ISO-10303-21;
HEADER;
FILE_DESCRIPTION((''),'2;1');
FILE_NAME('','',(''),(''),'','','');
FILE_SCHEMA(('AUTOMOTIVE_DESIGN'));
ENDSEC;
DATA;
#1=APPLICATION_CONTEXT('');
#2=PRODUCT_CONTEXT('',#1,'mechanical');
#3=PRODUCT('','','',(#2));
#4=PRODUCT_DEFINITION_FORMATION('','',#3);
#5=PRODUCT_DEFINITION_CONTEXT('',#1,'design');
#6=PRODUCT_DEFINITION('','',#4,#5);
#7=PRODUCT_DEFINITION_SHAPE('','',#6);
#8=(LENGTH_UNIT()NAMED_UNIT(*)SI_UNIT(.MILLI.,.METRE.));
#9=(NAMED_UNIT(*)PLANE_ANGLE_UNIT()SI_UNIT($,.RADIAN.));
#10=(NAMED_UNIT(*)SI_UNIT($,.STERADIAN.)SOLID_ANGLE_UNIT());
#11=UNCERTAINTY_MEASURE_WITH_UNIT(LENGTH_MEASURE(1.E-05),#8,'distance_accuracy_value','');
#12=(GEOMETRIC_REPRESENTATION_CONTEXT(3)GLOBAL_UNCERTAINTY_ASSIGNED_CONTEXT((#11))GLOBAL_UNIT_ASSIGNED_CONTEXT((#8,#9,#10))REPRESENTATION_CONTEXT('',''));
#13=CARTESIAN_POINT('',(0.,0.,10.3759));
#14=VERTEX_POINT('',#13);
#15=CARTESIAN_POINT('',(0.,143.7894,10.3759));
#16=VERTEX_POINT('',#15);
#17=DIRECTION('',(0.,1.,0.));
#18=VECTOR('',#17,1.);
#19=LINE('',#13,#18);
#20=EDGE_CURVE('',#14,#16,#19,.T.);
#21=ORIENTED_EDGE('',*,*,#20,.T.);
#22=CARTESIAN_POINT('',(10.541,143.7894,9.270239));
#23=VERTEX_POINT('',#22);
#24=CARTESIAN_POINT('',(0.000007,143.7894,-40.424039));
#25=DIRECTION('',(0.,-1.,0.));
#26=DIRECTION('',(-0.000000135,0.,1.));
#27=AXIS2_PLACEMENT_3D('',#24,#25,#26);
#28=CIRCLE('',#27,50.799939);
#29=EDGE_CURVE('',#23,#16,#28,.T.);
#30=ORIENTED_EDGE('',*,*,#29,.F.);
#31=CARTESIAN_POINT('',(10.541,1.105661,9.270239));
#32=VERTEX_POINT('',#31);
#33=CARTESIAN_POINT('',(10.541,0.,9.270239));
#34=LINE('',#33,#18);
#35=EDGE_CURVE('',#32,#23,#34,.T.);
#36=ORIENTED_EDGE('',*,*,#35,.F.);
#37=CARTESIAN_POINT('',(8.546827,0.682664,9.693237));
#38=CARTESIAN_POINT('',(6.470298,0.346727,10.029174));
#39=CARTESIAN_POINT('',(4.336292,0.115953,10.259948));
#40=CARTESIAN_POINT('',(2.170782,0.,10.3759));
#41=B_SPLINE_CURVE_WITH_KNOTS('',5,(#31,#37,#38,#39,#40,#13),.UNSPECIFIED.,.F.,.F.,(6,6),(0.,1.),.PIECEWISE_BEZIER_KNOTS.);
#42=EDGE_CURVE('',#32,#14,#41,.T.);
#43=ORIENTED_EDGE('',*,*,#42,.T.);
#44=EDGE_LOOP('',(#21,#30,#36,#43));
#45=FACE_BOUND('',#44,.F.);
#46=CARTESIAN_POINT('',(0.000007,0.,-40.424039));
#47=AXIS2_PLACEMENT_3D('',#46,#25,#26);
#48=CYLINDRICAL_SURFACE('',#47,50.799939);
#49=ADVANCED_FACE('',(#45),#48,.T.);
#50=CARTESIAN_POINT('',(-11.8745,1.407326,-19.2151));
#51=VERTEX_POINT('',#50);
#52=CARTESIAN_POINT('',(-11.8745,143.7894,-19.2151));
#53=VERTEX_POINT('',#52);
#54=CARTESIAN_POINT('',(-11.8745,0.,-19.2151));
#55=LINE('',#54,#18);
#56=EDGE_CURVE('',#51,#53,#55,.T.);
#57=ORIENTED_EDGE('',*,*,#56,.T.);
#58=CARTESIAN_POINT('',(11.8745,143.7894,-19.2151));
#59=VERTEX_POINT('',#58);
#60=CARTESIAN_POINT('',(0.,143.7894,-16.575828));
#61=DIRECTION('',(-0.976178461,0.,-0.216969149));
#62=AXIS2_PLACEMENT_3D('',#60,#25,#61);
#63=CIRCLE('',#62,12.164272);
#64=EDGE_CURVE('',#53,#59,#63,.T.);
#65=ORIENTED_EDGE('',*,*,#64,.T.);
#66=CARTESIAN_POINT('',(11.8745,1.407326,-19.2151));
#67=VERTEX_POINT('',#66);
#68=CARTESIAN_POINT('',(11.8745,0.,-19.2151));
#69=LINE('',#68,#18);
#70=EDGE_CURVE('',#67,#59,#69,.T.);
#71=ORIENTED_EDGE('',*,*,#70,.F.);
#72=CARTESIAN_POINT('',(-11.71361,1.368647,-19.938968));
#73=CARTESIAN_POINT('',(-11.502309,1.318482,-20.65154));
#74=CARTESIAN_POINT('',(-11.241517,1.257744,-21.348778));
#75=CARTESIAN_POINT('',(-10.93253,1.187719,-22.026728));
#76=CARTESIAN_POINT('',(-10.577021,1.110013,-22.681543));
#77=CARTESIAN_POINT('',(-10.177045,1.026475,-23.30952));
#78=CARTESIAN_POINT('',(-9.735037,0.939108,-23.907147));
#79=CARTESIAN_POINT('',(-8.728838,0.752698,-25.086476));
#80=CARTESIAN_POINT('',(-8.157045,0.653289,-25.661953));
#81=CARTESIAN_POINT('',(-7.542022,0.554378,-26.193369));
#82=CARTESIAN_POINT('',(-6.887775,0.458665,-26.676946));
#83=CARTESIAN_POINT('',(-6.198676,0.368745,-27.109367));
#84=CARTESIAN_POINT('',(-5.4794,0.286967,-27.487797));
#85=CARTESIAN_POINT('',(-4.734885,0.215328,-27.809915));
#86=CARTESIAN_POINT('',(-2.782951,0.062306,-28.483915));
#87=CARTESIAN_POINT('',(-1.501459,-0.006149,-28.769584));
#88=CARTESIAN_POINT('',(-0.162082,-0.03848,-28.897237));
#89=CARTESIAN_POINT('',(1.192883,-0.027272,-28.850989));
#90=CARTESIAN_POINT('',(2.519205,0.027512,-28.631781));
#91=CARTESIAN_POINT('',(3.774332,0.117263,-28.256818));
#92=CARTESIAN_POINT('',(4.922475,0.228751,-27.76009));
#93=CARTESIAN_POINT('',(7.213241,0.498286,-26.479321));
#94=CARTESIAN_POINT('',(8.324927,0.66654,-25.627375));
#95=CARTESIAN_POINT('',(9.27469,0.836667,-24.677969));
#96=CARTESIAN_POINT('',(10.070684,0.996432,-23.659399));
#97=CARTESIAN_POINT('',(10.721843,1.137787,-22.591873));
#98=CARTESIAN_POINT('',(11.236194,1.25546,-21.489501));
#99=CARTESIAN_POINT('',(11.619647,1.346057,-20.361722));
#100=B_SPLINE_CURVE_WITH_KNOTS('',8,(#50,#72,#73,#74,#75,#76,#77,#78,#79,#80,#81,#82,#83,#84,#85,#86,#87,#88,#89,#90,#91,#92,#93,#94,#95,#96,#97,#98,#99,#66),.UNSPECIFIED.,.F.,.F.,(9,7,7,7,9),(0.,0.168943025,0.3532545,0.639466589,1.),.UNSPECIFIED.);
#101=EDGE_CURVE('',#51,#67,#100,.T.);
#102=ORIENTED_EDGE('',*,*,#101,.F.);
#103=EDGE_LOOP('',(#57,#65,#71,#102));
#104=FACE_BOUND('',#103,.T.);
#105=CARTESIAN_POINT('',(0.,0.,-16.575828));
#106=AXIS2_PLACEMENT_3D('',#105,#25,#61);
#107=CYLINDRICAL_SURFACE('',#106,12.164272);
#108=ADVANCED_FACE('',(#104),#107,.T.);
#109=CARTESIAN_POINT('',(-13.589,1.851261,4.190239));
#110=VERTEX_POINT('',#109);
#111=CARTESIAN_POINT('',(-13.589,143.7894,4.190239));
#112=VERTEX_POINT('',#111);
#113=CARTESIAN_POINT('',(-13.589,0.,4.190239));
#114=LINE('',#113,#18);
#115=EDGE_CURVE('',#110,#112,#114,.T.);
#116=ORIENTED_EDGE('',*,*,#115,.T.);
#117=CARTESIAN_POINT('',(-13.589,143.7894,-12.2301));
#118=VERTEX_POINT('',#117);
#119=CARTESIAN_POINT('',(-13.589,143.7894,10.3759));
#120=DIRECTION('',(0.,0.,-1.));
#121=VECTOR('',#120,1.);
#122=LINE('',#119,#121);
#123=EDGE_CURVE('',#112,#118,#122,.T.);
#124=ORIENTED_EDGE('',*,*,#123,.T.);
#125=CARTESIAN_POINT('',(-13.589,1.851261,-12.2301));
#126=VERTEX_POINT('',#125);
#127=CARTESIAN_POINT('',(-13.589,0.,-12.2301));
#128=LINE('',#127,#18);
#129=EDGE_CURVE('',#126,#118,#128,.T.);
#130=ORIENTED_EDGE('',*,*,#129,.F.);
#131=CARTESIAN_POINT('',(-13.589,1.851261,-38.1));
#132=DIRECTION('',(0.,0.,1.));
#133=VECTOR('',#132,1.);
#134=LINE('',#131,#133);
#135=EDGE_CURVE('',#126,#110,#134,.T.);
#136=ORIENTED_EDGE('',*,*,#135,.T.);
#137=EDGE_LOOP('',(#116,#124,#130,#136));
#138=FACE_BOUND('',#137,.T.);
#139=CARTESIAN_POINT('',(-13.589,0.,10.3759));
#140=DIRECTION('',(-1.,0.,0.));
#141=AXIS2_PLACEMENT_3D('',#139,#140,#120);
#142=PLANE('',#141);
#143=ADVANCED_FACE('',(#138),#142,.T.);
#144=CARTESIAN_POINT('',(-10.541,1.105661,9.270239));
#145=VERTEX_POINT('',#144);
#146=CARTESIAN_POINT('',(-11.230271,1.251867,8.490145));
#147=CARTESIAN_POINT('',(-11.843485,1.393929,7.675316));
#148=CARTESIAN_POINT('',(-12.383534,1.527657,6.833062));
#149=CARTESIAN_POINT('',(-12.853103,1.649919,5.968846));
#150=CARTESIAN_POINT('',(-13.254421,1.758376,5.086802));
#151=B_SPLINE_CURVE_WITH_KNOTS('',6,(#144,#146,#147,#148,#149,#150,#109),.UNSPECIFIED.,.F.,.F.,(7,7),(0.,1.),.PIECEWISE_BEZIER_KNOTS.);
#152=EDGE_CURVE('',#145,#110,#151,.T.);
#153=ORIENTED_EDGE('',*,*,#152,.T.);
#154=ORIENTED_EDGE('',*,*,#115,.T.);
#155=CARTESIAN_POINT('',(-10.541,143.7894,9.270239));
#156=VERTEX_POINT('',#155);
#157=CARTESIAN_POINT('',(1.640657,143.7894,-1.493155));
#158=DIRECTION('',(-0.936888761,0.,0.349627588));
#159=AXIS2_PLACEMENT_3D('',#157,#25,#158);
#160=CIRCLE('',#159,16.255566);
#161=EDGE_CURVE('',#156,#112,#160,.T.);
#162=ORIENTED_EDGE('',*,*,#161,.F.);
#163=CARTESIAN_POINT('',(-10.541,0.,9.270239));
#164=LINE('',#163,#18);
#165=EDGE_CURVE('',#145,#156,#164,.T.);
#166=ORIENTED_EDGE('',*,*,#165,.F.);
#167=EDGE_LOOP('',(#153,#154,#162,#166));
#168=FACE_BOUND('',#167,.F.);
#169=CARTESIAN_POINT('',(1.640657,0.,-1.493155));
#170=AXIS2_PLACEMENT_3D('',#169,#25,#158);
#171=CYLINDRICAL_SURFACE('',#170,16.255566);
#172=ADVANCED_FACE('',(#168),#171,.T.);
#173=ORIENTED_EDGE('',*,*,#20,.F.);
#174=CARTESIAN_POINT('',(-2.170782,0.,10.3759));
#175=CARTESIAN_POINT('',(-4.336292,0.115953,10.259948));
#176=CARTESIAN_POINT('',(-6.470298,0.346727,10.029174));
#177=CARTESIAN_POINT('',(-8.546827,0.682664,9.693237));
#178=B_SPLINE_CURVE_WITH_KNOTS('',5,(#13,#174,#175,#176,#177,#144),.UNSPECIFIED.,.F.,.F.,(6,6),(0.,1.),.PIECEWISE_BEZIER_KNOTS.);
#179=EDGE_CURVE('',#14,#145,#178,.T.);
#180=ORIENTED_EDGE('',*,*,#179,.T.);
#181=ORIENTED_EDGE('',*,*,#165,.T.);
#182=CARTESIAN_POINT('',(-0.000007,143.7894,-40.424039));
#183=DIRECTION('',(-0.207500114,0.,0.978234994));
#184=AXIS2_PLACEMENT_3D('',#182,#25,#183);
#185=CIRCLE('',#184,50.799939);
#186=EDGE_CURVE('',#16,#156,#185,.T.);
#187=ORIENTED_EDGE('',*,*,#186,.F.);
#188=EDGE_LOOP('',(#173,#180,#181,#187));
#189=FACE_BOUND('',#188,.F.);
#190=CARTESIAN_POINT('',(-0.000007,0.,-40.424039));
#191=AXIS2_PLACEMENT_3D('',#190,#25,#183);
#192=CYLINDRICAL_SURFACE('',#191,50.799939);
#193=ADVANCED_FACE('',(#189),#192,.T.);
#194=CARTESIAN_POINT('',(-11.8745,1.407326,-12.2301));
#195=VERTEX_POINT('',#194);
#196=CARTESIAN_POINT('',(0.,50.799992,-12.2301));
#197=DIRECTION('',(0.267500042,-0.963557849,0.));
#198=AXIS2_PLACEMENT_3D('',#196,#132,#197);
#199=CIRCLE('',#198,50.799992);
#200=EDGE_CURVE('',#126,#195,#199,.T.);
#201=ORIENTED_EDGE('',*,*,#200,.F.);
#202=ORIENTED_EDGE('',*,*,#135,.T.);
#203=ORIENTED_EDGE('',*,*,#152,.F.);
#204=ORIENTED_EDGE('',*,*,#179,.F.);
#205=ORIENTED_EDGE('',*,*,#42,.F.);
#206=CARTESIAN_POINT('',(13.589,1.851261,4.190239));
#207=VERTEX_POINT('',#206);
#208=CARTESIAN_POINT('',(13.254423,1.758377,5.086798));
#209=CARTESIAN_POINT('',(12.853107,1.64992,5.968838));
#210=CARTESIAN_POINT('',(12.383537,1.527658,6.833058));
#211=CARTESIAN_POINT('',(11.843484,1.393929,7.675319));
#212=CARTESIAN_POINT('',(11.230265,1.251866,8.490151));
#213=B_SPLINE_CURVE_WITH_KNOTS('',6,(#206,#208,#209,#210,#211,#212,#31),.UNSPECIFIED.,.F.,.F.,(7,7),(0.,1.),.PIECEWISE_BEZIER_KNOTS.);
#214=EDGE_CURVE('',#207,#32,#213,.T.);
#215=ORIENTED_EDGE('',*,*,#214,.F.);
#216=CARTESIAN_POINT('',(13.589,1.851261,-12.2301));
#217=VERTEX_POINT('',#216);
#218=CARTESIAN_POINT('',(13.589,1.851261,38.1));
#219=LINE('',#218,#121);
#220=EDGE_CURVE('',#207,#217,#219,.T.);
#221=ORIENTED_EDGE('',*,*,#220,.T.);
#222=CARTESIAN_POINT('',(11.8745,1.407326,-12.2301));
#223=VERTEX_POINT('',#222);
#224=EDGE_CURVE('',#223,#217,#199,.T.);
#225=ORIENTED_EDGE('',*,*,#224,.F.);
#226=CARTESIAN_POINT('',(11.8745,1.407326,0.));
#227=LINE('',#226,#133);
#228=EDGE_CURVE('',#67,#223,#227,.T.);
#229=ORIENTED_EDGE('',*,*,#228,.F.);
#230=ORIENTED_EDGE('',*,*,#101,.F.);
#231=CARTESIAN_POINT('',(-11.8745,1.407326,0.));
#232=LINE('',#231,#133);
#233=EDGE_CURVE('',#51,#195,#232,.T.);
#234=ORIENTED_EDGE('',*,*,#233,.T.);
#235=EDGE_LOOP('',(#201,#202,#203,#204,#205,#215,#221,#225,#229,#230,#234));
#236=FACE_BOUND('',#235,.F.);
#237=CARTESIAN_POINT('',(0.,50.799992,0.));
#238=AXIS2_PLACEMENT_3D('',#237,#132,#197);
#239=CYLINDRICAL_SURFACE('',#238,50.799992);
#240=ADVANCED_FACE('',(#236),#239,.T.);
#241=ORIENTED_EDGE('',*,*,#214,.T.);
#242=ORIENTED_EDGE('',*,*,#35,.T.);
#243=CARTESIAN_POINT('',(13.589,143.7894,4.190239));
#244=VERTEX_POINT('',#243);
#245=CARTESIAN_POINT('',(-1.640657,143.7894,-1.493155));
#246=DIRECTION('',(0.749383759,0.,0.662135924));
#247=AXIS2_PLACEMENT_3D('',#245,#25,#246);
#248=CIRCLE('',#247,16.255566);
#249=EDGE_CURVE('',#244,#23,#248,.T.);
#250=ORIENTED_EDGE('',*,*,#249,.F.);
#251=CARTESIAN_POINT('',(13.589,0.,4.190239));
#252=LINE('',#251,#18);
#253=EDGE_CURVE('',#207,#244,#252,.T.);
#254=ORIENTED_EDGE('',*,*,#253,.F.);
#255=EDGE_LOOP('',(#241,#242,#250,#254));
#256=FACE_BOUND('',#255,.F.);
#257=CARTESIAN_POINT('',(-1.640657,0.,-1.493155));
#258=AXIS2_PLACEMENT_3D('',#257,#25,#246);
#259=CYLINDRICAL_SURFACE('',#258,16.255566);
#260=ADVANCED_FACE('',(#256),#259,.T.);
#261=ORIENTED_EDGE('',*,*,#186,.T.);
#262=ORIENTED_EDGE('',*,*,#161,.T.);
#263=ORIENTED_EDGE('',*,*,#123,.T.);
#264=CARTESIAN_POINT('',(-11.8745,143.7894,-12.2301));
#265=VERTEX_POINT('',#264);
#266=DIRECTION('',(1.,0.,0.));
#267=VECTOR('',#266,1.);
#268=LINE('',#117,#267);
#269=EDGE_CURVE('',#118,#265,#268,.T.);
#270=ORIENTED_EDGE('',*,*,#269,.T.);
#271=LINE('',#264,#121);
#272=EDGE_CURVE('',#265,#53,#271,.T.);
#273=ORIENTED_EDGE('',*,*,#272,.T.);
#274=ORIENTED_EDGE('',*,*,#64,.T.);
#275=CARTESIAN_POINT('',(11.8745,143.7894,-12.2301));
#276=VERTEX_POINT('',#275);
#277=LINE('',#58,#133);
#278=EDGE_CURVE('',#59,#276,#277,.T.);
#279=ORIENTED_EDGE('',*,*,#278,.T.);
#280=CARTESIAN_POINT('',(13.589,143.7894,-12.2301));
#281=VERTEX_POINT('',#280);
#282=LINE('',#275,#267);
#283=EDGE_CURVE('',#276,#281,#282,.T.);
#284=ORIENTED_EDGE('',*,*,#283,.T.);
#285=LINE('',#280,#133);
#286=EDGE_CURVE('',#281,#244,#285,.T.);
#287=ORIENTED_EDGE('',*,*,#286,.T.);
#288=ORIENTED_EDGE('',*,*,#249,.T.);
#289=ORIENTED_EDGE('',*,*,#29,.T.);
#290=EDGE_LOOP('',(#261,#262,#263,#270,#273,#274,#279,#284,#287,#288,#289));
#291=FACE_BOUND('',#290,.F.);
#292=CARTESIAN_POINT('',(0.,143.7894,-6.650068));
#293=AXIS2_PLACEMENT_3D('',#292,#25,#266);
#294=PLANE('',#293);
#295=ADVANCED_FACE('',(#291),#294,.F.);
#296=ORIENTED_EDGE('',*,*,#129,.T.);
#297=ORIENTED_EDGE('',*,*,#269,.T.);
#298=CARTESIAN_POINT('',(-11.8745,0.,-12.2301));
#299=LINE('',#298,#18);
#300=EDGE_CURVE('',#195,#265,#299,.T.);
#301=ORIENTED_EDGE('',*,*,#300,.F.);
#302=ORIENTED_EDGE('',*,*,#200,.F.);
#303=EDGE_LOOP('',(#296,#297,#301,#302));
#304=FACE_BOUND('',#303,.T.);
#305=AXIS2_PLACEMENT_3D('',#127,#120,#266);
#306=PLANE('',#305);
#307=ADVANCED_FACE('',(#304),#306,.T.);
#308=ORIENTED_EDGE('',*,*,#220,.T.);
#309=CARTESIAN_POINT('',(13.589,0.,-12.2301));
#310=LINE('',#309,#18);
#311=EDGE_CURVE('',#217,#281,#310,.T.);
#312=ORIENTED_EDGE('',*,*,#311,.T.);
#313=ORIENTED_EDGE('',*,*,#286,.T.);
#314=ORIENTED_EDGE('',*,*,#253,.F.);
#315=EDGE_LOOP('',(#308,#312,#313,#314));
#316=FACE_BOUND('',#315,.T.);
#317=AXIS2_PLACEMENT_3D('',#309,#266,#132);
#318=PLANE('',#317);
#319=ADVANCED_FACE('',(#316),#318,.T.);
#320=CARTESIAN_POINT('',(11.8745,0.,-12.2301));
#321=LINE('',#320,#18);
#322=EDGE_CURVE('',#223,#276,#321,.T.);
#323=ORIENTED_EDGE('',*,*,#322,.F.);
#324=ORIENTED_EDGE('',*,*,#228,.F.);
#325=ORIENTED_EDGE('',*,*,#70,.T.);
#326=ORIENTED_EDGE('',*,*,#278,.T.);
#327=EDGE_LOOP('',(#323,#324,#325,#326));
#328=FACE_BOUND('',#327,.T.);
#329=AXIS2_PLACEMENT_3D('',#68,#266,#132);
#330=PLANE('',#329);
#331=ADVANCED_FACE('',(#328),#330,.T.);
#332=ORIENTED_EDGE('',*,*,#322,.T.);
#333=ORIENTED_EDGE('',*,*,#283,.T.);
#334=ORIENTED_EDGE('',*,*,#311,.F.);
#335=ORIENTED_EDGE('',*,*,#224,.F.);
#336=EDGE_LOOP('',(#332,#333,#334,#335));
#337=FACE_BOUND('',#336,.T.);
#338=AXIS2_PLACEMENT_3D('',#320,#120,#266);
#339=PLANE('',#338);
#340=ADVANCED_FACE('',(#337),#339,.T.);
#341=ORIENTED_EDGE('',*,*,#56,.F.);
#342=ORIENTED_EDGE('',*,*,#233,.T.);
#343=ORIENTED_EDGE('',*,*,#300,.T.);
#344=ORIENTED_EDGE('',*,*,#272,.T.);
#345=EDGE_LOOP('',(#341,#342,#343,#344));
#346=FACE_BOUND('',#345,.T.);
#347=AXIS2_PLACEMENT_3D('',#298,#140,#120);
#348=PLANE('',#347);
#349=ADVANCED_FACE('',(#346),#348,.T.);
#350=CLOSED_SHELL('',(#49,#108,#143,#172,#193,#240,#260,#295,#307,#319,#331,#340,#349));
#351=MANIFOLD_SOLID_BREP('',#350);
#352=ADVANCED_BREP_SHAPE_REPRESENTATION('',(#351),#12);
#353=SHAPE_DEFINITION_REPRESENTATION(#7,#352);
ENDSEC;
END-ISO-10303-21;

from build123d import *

# Parameters (mm, degrees)
F1_DEPTH = 143.7894
F3_DEPTH = 143.7904
F5_DEPTH = 38.1


with BuildPart() as f1:
    # F0 (on Front) → F1 (new body)
    with BuildSketch(Plane.XZ):
        with BuildLine():
            Line((13.589, 10.3759), (-13.589, 10.3759))
            Line((-13.589, 10.3759), (-13.589, -12.2301))
            Line((-13.589, -12.2301), (-11.8745, -12.2301))
            Line((-11.8745, -12.2301), (-11.8745, -19.2151))
            ThreePointArc((-11.8745, -19.2151), (0, -28.7401), (11.8745, -19.2151))
            Line((11.8745, -19.2151), (11.8745, -12.2301))
            Line((11.8745, -12.2301), (13.589, -12.2301))
            Line((13.589, -12.2301), (13.589, 10.3759))
        make_face()
    extrude(amount=-F1_DEPTH)

    # F2 (on face) → F3 (cut, through all)
    with BuildSketch(Plane.XZ):
        with BuildLine():
            ThreePointArc((-10.541, 9.270239), (-5.299414, 10.098729), (0, 10.3759))
            ThreePointArc((0, 10.3759), (5.299414, 10.098729), (10.541, 9.270239))
            ThreePointArc((10.541, 9.270239), (12.298376, 6.870264), (13.589, 4.190239))
            Line((13.589, 4.190239), (13.589, 18.64491))
            Line((13.589, 18.64491), (-13.877228, 18.64491))
            Line((-13.877228, 18.64491), (-13.589, 4.190239))
            ThreePointArc((-13.589, 4.190239), (-12.298376, 6.870264), (-10.541, 9.270239))
        make_face()
    extrude(amount=-F3_DEPTH, mode=Mode.SUBTRACT)

    # F4 (on Top) → F5 (cut, symmetric)
    with BuildSketch(Plane.XY):
        with BuildLine():
            ThreePointArc((13.589, 1.851261), (0, 0), (-13.589, 1.851261))
            Line((-13.589, 1.851261), (-13.589, -7.918205))
            Line((-13.589, -7.918205), (13.589, -7.918205))
            Line((13.589, -7.918205), (13.589, 1.851261))
        make_face()
    extrude(amount=F5_DEPTH, both=True, mode=Mode.SUBTRACT)


solid = f1.part
